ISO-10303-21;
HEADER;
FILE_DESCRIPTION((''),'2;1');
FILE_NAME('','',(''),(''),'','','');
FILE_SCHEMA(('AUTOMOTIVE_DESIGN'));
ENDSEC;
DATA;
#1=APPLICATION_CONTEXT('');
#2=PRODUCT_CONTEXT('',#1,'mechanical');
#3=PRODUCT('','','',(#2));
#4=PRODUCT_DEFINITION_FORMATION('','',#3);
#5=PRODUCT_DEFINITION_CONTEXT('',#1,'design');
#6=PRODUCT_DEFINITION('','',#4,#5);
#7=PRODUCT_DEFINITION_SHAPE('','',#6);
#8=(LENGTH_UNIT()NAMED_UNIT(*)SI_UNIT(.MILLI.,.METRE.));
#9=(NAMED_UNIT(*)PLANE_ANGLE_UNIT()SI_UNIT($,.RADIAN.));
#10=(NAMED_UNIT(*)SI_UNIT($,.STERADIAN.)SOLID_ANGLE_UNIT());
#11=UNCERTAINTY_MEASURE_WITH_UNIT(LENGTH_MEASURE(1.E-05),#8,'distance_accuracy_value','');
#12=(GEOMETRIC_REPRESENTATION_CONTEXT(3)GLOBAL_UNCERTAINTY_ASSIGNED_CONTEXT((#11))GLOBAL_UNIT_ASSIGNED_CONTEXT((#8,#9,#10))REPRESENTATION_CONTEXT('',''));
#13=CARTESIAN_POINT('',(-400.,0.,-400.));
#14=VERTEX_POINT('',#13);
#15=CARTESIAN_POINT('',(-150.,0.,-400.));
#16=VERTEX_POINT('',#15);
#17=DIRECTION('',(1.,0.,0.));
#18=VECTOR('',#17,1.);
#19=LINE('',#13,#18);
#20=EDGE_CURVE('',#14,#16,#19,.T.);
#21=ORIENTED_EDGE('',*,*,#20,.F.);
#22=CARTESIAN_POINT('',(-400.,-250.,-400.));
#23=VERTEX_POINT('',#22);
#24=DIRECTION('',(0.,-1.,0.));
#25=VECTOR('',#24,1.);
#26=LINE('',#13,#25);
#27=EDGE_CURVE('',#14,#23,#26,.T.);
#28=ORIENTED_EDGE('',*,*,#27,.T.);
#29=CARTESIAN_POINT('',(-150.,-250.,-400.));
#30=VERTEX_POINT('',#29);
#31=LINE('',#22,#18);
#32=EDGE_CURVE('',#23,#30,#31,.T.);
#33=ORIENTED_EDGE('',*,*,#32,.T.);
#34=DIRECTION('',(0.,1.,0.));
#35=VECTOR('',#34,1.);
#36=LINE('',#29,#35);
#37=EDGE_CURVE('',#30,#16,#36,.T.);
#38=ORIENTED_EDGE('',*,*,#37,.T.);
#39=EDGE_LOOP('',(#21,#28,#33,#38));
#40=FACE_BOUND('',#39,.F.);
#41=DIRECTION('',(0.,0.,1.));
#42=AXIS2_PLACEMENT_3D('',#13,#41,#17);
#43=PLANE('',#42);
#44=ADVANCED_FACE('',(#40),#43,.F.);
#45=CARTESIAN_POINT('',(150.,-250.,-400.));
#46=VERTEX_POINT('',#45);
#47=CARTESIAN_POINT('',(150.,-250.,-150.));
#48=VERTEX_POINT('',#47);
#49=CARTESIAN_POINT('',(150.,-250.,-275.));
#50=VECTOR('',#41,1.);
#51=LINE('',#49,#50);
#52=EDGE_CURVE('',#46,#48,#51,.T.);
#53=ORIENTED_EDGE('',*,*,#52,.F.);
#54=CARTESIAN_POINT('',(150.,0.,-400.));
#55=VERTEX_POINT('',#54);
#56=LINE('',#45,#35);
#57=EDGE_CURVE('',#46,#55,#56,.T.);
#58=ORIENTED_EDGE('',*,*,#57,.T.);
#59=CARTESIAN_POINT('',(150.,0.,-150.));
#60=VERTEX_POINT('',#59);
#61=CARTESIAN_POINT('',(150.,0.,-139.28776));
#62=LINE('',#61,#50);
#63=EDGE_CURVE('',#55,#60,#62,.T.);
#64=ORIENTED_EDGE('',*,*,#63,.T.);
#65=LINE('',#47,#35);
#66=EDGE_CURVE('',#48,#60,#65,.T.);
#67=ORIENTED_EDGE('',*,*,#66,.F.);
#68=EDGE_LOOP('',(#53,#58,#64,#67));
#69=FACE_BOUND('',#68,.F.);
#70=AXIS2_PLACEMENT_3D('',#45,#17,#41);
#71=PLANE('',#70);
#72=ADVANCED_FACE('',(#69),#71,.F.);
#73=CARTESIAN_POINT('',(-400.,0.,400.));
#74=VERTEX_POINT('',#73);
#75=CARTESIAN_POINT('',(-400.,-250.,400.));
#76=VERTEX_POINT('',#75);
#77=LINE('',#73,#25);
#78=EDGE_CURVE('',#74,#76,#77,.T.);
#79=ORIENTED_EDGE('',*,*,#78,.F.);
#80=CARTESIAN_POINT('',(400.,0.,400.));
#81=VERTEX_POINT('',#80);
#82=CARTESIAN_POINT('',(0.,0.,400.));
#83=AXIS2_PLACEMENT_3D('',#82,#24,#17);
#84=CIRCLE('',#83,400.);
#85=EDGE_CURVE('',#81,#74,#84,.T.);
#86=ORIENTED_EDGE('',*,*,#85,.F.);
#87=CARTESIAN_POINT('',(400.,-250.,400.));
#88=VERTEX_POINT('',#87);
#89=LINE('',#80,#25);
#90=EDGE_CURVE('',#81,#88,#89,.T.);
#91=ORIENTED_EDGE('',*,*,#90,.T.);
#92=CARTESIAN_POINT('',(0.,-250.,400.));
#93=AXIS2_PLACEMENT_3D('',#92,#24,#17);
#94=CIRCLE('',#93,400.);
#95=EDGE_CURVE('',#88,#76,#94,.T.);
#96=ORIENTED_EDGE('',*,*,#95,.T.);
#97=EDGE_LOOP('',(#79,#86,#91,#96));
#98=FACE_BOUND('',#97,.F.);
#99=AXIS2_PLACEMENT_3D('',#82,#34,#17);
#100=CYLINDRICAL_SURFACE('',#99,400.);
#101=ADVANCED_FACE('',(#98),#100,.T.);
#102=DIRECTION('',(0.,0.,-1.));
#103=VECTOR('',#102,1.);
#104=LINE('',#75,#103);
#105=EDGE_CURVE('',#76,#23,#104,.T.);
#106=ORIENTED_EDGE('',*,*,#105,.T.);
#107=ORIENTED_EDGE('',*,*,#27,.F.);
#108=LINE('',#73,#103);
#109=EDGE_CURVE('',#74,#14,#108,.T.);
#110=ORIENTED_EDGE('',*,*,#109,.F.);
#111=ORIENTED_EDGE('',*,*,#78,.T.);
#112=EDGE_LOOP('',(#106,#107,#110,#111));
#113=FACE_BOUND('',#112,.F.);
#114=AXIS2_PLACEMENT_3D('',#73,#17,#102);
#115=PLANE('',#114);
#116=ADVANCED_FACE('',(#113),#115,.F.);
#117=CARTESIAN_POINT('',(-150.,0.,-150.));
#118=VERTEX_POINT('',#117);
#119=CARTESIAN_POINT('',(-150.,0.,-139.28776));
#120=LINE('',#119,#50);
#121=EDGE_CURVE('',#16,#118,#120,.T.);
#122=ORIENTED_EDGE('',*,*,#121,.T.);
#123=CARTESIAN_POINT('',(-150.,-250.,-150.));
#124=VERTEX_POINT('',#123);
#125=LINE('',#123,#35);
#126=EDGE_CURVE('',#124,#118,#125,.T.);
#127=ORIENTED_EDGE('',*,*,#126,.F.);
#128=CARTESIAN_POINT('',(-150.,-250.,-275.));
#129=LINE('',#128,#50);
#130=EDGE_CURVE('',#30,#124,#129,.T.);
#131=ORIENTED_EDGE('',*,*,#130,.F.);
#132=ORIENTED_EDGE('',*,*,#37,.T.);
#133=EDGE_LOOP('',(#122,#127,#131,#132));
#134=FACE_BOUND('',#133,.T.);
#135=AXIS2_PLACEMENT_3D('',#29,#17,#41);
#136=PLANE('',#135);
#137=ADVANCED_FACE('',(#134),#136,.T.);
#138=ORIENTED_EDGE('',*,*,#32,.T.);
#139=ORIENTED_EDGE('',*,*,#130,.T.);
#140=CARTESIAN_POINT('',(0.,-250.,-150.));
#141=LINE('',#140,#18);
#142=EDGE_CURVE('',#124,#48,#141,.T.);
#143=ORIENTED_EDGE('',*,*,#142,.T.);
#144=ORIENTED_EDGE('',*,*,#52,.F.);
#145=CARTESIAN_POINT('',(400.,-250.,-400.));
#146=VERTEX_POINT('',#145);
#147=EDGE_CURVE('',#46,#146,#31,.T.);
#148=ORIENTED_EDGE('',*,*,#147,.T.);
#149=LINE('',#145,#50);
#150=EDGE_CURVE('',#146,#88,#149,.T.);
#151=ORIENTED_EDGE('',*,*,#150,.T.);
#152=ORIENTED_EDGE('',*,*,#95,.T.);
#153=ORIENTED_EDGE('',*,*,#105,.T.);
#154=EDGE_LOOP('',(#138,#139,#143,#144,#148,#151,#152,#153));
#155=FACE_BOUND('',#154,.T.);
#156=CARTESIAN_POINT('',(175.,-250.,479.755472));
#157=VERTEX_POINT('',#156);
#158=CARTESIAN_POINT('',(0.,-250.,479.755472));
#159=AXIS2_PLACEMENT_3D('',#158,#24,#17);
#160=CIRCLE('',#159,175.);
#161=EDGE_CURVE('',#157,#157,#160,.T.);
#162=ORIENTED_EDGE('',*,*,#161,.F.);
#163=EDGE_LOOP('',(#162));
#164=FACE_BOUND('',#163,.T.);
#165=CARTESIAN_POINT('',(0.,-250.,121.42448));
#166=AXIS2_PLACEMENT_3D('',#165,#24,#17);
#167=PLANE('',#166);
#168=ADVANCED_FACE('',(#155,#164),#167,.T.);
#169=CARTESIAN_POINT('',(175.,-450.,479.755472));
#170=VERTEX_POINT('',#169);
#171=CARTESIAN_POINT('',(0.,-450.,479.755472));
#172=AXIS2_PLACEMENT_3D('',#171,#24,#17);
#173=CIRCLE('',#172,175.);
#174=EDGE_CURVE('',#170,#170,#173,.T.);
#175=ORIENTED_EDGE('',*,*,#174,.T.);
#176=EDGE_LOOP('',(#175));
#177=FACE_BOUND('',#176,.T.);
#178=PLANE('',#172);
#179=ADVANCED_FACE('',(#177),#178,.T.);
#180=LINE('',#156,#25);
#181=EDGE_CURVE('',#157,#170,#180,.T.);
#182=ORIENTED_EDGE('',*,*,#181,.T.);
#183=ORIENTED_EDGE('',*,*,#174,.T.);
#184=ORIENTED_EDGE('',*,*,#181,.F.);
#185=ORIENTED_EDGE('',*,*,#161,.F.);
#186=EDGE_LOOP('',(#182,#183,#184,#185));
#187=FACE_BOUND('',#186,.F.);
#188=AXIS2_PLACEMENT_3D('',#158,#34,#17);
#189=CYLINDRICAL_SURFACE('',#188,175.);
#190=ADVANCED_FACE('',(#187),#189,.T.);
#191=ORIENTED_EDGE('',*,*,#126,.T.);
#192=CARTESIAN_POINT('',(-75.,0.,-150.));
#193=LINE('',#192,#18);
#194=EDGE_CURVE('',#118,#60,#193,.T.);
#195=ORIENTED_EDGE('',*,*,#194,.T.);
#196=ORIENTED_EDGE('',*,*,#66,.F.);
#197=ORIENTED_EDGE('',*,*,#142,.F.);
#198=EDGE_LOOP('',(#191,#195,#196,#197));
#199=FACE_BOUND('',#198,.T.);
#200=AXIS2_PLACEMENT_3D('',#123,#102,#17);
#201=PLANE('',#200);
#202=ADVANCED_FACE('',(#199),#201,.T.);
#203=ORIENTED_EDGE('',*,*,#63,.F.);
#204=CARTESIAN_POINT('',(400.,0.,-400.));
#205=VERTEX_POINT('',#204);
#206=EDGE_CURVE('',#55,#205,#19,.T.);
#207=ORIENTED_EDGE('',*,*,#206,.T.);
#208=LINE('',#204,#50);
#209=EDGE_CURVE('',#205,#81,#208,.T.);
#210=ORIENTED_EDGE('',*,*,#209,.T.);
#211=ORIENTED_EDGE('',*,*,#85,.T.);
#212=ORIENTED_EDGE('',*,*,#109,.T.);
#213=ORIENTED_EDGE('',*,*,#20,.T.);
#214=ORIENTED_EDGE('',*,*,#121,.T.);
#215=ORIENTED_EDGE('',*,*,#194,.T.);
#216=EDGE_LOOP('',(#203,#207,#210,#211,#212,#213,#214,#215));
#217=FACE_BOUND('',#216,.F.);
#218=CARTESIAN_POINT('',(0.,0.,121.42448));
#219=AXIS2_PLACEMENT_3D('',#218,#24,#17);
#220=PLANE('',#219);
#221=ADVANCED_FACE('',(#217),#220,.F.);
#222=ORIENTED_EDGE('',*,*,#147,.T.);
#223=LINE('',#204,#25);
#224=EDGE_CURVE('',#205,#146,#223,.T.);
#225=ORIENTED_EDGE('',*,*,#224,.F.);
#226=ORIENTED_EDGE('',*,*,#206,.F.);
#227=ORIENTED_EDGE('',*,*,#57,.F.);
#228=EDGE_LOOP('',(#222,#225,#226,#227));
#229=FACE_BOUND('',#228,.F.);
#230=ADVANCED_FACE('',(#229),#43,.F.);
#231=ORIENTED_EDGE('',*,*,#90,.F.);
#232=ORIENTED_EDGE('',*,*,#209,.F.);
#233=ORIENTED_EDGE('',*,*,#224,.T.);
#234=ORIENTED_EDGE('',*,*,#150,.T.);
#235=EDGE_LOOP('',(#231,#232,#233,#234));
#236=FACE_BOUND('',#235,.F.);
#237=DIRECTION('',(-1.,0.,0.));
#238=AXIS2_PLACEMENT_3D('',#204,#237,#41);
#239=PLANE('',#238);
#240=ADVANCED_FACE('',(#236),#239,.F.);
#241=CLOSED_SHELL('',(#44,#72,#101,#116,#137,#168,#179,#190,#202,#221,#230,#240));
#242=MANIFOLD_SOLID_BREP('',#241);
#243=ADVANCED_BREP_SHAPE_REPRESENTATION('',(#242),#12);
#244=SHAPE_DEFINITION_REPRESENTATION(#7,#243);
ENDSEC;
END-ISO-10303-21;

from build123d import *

# Parameters (mm, degrees)
F1_DEPTH = 250
F2_W     = 300
F2_H     = 250
F3_DEPTH = 250.001
F4_R     = 175
F5_DEPTH = 200


with BuildPart() as f1:
    # F0 (on Front) → F1 (new body)
    with BuildSketch(Plane.XZ):
        with BuildLine():
            Line((-400, 400), (-400, -400))
            Line((-400, -400), (400, -400))
            Line((400, -400), (400, 400))
            ThreePointArc((400, 400), (0, 800), (-400, 400))
        make_face()
    extrude(amount=F1_DEPTH)

    # F2 (on face) → F3 (cut, through all)
    with BuildSketch(Plane.XZ.offset(250)):
        with Locations((0, -275)):
            Rectangle(F2_W, F2_H)
    extrude(amount=-F3_DEPTH, mode=Mode.SUBTRACT)

    # F4 (on face) → F5 (join)
    with BuildSketch(Plane.XZ.offset(250)):
        with Locations((0, 479.755472)):
            Circle(F4_R)
    extrude(amount=F5_DEPTH)


solid = f1.part
